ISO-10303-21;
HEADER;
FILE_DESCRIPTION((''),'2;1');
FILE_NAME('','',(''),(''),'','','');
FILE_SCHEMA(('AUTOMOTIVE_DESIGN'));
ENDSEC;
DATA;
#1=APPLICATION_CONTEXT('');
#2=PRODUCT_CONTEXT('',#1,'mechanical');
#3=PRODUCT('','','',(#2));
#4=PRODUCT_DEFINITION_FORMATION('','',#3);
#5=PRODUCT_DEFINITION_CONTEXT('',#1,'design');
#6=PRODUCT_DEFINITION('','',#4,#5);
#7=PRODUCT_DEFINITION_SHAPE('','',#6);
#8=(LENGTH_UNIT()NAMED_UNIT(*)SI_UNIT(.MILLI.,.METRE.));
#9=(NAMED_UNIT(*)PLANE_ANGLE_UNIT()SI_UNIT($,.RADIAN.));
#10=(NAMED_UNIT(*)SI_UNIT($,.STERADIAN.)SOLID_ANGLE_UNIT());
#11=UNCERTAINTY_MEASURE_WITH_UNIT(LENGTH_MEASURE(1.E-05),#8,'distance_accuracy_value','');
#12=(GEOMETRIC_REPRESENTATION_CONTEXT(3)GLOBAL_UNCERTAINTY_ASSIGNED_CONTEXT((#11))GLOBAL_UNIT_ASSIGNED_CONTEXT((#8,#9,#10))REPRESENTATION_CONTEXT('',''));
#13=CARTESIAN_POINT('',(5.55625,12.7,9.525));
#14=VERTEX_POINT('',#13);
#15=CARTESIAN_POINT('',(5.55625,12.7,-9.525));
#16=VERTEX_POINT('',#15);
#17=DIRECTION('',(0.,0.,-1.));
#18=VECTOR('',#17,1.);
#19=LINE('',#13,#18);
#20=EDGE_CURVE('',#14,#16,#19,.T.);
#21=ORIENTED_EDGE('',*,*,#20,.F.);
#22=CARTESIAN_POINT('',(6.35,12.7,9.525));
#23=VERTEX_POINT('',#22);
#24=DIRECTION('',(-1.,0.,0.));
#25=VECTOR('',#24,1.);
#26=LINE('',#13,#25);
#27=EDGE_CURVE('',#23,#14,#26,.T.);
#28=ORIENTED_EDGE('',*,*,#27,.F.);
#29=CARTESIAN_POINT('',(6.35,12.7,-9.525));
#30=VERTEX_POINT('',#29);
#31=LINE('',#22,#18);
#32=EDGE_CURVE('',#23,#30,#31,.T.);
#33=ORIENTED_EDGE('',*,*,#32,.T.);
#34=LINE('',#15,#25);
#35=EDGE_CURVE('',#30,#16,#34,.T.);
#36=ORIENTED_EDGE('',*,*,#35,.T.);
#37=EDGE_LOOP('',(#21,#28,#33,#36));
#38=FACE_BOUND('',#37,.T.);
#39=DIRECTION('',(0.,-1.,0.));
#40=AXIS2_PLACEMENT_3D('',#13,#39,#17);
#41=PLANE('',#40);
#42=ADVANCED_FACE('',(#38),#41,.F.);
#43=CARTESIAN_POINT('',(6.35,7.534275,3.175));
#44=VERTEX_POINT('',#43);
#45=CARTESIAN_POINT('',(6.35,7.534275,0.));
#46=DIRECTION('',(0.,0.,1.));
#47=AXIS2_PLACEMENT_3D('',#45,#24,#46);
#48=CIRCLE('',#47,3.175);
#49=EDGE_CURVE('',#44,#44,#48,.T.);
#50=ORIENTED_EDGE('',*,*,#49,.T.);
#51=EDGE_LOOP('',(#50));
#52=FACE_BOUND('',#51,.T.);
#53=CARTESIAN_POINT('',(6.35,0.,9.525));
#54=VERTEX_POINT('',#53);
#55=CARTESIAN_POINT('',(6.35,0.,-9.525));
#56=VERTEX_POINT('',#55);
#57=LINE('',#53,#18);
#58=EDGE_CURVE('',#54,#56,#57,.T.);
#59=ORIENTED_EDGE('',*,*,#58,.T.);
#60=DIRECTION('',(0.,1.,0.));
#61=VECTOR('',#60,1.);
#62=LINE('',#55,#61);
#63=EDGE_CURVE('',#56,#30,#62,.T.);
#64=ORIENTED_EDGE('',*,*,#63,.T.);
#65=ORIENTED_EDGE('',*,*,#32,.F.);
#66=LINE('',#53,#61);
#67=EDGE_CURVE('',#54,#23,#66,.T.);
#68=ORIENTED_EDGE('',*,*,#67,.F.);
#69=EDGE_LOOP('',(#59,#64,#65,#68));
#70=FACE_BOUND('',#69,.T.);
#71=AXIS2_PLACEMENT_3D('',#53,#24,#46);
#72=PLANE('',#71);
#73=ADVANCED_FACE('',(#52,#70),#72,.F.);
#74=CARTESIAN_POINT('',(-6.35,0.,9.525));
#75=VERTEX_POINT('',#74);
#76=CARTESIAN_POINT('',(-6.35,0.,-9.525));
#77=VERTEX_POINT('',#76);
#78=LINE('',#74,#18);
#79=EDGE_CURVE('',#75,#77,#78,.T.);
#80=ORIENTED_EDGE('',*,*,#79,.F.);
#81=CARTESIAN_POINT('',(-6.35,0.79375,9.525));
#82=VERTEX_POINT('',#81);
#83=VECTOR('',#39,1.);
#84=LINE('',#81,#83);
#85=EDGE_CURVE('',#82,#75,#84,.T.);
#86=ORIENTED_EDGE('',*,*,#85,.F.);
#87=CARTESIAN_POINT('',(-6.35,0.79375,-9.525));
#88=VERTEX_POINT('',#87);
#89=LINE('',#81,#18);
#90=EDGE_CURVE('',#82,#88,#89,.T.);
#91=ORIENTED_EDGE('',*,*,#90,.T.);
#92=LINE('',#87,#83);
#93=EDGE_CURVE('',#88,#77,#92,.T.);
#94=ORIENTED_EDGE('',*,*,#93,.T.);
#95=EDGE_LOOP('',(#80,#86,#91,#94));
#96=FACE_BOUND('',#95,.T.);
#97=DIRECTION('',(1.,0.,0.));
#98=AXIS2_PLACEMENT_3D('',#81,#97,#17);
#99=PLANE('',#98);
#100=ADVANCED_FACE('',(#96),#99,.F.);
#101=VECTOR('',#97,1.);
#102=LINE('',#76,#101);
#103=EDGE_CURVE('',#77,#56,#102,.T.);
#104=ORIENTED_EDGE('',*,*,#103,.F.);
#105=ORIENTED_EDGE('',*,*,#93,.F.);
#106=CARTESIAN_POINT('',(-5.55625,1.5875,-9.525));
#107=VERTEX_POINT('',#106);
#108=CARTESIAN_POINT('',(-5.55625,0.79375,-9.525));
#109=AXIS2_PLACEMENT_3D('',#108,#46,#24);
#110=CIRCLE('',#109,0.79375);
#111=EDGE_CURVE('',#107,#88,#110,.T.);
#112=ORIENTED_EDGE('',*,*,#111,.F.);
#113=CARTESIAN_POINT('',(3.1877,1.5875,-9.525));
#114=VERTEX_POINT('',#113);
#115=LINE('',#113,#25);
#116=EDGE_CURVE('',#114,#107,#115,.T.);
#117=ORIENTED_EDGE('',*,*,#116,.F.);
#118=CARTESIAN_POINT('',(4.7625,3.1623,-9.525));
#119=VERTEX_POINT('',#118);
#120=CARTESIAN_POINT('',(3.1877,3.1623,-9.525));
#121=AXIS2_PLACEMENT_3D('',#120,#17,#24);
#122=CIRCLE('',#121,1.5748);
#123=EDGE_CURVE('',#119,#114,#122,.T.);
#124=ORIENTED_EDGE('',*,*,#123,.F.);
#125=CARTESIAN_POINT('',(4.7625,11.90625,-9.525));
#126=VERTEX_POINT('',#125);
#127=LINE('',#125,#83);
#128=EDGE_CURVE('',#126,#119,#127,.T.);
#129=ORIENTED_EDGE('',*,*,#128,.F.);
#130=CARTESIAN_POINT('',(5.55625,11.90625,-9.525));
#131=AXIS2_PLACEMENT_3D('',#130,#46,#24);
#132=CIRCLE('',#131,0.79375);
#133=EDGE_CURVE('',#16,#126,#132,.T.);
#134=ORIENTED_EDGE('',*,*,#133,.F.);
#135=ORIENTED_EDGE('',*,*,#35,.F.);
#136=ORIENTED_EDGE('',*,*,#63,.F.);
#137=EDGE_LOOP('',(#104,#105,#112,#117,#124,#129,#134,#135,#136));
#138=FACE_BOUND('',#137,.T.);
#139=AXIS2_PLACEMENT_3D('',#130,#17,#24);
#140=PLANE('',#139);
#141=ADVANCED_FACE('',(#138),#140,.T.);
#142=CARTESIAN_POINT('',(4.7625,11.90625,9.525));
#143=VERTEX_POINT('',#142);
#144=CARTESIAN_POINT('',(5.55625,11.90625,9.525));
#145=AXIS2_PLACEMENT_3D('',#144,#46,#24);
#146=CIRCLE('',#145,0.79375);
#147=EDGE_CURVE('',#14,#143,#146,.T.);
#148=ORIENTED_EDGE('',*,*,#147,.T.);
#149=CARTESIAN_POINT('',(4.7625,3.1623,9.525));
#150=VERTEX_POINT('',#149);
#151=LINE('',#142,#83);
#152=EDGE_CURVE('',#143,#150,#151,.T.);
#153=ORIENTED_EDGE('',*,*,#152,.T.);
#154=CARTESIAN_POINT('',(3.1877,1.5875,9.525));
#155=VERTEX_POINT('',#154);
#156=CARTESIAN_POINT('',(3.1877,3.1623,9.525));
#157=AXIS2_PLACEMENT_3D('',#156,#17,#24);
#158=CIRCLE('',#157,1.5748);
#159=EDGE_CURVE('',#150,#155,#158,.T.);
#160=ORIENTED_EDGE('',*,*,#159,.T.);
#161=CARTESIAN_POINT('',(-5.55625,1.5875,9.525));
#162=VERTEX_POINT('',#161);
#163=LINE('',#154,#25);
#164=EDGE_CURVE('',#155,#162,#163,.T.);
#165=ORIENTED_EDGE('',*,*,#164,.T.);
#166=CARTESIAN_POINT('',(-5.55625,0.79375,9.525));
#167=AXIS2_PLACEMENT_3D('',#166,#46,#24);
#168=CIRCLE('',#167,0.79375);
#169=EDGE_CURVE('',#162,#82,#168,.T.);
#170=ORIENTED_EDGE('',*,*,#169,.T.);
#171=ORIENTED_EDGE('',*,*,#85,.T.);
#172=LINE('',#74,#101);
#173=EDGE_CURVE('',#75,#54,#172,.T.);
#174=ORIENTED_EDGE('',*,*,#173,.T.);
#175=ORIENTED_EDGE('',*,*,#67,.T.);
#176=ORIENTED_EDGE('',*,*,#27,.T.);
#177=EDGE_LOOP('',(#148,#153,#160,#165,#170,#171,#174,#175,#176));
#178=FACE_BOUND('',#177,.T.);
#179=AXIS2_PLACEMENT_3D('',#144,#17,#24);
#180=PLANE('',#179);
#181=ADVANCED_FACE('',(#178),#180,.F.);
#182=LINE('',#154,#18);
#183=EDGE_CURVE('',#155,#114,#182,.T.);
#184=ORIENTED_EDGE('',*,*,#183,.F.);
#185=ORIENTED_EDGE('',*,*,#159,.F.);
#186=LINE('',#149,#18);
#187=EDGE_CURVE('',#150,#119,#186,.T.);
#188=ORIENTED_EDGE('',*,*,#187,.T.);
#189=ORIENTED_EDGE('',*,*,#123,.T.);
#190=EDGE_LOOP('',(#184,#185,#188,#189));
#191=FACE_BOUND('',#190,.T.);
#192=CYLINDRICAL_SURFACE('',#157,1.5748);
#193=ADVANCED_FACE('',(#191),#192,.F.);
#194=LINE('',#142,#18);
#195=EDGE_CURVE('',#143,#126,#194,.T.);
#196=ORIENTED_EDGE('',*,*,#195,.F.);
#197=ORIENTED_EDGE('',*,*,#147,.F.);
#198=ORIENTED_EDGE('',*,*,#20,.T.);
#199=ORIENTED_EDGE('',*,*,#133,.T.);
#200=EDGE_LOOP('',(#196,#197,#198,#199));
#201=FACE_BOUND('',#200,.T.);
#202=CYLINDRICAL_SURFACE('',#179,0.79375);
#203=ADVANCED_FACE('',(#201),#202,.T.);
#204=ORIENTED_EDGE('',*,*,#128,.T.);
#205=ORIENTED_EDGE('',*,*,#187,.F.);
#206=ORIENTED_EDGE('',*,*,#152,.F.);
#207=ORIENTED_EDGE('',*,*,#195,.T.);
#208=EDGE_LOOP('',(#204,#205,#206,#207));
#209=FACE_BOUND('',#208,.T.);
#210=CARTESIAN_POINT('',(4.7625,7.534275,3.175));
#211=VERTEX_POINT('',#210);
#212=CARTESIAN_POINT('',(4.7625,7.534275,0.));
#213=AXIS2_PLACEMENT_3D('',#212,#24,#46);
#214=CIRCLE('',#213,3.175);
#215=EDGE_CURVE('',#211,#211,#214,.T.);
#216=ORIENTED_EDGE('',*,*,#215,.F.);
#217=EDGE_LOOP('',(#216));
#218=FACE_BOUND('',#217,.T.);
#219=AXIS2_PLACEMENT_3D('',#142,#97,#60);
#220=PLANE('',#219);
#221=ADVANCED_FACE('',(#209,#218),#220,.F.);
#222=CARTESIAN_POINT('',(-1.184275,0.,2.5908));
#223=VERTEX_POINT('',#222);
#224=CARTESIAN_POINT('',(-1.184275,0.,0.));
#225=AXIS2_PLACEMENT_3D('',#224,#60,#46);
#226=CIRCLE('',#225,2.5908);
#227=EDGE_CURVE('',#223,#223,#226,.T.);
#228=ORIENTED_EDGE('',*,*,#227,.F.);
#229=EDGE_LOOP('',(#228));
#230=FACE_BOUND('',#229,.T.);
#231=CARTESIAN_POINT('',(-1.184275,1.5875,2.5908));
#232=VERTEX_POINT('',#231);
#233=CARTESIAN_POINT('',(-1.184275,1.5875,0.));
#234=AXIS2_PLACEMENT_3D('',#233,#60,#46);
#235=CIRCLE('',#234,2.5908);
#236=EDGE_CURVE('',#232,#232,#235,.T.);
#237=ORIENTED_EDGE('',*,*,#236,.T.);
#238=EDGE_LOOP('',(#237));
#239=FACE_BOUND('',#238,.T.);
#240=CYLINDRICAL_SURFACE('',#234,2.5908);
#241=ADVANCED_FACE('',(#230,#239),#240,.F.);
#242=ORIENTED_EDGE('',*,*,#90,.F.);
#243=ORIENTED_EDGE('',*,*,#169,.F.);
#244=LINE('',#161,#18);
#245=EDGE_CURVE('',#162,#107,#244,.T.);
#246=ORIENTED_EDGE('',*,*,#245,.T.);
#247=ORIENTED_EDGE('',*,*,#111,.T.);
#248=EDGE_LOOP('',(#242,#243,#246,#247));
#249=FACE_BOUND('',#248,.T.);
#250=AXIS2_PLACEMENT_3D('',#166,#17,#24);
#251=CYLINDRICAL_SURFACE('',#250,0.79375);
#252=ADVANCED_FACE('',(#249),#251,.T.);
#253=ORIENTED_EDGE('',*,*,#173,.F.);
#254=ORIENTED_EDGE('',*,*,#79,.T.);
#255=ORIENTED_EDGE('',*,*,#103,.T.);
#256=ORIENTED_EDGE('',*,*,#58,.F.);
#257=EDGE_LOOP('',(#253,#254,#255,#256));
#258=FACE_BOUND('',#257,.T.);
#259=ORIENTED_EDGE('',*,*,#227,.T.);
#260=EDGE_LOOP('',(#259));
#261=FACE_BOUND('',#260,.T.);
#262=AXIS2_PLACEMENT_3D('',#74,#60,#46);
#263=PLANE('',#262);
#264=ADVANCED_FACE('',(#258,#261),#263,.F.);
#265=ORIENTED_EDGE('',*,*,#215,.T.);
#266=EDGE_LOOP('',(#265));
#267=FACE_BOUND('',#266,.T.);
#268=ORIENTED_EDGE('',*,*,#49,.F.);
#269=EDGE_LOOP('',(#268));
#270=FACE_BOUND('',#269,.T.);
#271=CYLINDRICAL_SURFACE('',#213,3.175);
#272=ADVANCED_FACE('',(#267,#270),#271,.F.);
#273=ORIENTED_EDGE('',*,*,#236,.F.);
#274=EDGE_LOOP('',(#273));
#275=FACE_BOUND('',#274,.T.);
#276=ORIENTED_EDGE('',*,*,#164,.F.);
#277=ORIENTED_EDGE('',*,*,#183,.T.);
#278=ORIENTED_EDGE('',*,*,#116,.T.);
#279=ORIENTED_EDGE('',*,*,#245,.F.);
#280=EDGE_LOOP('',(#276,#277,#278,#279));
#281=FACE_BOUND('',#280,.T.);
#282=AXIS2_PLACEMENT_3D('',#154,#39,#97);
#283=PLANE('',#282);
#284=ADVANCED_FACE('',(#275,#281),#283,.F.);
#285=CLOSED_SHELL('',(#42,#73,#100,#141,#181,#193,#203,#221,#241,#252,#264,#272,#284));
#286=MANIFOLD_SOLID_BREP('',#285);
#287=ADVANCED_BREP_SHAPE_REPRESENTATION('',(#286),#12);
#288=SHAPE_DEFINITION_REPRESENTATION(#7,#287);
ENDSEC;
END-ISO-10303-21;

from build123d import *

# Parameters (mm, degrees)
BOSS_EXTRUDE1_DEPTH         = 9.525
F_6_0_204_DIAMETER_HOLE1_D  = 5.1816
F_1_4_0_25_DIAMETER_HOLE1_D = 6.35


with BuildPart() as part:
    # Sketch2 → Boss-Extrude1 (new, symmetric)
    with BuildSketch(Plane.XY):
        with BuildLine():
            Line((-6.35, 0), (6.35, 0))
            Line((6.35, 0), (6.35, 12.7))
            Line((6.35, 12.7), (5.55625, 12.7))
            ThreePointArc((5.55625, 12.7), (4.994983992, 12.467516008), (4.7625, 11.90625))
            Line((4.7625, 11.90625), (4.7625, 3.1623))
            ThreePointArc((4.7625, 3.1623), (4.301251759, 2.048748241), (3.1877, 1.5875))
            Line((3.1877, 1.5875), (-5.55625, 1.5875))
            ThreePointArc((-5.55625, 1.5875), (-6.117516008, 1.355016008), (-6.35, 0.79375))
            Line((-6.35, 0.79375), (-6.35, 0))
        make_face()
    extrude(amount=BOSS_EXTRUDE1_DEPTH, both=True)

    # #6 (0.204) Diameter Hole1 (through all)
    with Locations(Plane(origin=(0, 1.5875, 0), x_dir=(1, 0, 0), z_dir=(0, 1, 0))):
        with Locations((-1.184275, 0)):
            Hole(F_6_0_204_DIAMETER_HOLE1_D / 2)

    # 1/4 (0.25) Diameter Hole1 (through all)
    with Locations(Plane.ZY.offset(-4.7625)):
        with Locations((0, 7.534275)):
            Hole(F_1_4_0_25_DIAMETER_HOLE1_D / 2)


solid = part.part
